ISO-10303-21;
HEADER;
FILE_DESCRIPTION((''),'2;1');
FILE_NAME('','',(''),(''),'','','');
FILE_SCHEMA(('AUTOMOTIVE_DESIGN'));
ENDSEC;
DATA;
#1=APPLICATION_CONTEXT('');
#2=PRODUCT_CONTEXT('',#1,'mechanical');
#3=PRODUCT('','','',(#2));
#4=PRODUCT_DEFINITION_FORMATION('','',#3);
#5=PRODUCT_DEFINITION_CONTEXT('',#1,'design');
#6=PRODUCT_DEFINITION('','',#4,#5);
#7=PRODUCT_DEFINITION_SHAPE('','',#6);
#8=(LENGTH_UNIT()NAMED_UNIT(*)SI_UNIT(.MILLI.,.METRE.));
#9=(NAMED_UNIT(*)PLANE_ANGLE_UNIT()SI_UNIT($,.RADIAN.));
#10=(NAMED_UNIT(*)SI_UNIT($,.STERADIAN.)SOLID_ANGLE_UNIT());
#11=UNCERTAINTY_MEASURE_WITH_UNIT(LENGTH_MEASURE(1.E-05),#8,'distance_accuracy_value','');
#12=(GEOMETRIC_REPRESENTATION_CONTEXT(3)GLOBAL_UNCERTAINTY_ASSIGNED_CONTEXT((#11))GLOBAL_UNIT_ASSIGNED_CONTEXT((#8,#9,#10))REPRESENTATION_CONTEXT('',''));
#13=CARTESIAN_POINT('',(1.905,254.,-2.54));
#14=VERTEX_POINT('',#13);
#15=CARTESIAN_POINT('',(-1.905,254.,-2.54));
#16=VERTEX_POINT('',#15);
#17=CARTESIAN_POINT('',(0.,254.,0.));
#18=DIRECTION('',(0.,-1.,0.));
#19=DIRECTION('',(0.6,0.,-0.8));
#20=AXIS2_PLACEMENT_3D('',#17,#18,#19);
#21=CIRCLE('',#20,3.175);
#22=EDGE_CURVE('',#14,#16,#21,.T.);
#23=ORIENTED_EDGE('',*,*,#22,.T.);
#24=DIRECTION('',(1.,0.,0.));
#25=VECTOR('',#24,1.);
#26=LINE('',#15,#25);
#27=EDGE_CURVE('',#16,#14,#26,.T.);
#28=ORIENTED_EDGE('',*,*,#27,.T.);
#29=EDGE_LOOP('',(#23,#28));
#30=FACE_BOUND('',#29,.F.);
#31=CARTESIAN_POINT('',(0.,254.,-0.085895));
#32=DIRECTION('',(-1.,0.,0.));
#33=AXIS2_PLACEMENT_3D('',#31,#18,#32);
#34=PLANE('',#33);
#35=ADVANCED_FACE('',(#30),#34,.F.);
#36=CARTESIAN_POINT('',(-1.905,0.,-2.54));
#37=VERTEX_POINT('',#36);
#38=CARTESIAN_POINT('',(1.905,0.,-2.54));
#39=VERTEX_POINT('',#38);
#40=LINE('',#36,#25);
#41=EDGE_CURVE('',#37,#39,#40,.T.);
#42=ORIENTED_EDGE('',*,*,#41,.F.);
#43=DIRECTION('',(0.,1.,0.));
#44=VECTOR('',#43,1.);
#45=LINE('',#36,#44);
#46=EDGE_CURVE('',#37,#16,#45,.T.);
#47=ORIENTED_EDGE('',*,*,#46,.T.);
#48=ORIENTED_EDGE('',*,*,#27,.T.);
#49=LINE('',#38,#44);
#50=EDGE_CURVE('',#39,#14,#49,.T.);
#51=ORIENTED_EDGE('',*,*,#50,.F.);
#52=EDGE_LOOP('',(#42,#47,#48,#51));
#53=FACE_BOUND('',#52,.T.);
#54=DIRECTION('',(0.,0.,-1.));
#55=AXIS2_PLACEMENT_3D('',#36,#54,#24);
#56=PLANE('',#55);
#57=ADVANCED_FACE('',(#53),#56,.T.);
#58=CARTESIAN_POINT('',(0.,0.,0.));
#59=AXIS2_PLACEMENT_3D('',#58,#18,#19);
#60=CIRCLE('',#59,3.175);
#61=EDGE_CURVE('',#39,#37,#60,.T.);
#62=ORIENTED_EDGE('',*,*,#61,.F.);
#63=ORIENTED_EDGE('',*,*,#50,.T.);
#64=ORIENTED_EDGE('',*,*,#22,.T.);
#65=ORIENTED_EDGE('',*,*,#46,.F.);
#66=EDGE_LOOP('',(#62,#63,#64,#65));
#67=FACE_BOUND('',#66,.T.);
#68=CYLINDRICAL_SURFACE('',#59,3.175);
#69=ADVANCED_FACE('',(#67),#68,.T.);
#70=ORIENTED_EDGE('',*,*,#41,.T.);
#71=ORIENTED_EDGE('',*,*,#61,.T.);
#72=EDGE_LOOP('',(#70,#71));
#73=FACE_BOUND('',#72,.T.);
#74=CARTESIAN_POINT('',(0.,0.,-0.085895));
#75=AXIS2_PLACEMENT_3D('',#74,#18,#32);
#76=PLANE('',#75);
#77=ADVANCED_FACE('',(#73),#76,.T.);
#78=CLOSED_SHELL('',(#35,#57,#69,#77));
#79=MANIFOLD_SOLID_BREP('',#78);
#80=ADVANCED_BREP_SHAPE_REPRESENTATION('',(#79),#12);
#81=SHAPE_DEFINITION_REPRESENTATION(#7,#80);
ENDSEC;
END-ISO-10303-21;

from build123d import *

# Parameters (mm, degrees)
BOSS_EXTRUDE1_DEPTH = 254


with BuildPart() as part:
    # Sketch1 → Boss-Extrude1 (new body)
    with BuildSketch(Plane(origin=(0, 0, 0), x_dir=(1, 0, 0), z_dir=(0, 1, 0))):
        with BuildLine():
            Line((-1.905, 2.54), (1.905, 2.54))
            ThreePointArc((1.905, 2.54), (0, -3.175), (-1.905, 2.54))
        make_face()
    extrude(amount=BOSS_EXTRUDE1_DEPTH)


solid = part.part
